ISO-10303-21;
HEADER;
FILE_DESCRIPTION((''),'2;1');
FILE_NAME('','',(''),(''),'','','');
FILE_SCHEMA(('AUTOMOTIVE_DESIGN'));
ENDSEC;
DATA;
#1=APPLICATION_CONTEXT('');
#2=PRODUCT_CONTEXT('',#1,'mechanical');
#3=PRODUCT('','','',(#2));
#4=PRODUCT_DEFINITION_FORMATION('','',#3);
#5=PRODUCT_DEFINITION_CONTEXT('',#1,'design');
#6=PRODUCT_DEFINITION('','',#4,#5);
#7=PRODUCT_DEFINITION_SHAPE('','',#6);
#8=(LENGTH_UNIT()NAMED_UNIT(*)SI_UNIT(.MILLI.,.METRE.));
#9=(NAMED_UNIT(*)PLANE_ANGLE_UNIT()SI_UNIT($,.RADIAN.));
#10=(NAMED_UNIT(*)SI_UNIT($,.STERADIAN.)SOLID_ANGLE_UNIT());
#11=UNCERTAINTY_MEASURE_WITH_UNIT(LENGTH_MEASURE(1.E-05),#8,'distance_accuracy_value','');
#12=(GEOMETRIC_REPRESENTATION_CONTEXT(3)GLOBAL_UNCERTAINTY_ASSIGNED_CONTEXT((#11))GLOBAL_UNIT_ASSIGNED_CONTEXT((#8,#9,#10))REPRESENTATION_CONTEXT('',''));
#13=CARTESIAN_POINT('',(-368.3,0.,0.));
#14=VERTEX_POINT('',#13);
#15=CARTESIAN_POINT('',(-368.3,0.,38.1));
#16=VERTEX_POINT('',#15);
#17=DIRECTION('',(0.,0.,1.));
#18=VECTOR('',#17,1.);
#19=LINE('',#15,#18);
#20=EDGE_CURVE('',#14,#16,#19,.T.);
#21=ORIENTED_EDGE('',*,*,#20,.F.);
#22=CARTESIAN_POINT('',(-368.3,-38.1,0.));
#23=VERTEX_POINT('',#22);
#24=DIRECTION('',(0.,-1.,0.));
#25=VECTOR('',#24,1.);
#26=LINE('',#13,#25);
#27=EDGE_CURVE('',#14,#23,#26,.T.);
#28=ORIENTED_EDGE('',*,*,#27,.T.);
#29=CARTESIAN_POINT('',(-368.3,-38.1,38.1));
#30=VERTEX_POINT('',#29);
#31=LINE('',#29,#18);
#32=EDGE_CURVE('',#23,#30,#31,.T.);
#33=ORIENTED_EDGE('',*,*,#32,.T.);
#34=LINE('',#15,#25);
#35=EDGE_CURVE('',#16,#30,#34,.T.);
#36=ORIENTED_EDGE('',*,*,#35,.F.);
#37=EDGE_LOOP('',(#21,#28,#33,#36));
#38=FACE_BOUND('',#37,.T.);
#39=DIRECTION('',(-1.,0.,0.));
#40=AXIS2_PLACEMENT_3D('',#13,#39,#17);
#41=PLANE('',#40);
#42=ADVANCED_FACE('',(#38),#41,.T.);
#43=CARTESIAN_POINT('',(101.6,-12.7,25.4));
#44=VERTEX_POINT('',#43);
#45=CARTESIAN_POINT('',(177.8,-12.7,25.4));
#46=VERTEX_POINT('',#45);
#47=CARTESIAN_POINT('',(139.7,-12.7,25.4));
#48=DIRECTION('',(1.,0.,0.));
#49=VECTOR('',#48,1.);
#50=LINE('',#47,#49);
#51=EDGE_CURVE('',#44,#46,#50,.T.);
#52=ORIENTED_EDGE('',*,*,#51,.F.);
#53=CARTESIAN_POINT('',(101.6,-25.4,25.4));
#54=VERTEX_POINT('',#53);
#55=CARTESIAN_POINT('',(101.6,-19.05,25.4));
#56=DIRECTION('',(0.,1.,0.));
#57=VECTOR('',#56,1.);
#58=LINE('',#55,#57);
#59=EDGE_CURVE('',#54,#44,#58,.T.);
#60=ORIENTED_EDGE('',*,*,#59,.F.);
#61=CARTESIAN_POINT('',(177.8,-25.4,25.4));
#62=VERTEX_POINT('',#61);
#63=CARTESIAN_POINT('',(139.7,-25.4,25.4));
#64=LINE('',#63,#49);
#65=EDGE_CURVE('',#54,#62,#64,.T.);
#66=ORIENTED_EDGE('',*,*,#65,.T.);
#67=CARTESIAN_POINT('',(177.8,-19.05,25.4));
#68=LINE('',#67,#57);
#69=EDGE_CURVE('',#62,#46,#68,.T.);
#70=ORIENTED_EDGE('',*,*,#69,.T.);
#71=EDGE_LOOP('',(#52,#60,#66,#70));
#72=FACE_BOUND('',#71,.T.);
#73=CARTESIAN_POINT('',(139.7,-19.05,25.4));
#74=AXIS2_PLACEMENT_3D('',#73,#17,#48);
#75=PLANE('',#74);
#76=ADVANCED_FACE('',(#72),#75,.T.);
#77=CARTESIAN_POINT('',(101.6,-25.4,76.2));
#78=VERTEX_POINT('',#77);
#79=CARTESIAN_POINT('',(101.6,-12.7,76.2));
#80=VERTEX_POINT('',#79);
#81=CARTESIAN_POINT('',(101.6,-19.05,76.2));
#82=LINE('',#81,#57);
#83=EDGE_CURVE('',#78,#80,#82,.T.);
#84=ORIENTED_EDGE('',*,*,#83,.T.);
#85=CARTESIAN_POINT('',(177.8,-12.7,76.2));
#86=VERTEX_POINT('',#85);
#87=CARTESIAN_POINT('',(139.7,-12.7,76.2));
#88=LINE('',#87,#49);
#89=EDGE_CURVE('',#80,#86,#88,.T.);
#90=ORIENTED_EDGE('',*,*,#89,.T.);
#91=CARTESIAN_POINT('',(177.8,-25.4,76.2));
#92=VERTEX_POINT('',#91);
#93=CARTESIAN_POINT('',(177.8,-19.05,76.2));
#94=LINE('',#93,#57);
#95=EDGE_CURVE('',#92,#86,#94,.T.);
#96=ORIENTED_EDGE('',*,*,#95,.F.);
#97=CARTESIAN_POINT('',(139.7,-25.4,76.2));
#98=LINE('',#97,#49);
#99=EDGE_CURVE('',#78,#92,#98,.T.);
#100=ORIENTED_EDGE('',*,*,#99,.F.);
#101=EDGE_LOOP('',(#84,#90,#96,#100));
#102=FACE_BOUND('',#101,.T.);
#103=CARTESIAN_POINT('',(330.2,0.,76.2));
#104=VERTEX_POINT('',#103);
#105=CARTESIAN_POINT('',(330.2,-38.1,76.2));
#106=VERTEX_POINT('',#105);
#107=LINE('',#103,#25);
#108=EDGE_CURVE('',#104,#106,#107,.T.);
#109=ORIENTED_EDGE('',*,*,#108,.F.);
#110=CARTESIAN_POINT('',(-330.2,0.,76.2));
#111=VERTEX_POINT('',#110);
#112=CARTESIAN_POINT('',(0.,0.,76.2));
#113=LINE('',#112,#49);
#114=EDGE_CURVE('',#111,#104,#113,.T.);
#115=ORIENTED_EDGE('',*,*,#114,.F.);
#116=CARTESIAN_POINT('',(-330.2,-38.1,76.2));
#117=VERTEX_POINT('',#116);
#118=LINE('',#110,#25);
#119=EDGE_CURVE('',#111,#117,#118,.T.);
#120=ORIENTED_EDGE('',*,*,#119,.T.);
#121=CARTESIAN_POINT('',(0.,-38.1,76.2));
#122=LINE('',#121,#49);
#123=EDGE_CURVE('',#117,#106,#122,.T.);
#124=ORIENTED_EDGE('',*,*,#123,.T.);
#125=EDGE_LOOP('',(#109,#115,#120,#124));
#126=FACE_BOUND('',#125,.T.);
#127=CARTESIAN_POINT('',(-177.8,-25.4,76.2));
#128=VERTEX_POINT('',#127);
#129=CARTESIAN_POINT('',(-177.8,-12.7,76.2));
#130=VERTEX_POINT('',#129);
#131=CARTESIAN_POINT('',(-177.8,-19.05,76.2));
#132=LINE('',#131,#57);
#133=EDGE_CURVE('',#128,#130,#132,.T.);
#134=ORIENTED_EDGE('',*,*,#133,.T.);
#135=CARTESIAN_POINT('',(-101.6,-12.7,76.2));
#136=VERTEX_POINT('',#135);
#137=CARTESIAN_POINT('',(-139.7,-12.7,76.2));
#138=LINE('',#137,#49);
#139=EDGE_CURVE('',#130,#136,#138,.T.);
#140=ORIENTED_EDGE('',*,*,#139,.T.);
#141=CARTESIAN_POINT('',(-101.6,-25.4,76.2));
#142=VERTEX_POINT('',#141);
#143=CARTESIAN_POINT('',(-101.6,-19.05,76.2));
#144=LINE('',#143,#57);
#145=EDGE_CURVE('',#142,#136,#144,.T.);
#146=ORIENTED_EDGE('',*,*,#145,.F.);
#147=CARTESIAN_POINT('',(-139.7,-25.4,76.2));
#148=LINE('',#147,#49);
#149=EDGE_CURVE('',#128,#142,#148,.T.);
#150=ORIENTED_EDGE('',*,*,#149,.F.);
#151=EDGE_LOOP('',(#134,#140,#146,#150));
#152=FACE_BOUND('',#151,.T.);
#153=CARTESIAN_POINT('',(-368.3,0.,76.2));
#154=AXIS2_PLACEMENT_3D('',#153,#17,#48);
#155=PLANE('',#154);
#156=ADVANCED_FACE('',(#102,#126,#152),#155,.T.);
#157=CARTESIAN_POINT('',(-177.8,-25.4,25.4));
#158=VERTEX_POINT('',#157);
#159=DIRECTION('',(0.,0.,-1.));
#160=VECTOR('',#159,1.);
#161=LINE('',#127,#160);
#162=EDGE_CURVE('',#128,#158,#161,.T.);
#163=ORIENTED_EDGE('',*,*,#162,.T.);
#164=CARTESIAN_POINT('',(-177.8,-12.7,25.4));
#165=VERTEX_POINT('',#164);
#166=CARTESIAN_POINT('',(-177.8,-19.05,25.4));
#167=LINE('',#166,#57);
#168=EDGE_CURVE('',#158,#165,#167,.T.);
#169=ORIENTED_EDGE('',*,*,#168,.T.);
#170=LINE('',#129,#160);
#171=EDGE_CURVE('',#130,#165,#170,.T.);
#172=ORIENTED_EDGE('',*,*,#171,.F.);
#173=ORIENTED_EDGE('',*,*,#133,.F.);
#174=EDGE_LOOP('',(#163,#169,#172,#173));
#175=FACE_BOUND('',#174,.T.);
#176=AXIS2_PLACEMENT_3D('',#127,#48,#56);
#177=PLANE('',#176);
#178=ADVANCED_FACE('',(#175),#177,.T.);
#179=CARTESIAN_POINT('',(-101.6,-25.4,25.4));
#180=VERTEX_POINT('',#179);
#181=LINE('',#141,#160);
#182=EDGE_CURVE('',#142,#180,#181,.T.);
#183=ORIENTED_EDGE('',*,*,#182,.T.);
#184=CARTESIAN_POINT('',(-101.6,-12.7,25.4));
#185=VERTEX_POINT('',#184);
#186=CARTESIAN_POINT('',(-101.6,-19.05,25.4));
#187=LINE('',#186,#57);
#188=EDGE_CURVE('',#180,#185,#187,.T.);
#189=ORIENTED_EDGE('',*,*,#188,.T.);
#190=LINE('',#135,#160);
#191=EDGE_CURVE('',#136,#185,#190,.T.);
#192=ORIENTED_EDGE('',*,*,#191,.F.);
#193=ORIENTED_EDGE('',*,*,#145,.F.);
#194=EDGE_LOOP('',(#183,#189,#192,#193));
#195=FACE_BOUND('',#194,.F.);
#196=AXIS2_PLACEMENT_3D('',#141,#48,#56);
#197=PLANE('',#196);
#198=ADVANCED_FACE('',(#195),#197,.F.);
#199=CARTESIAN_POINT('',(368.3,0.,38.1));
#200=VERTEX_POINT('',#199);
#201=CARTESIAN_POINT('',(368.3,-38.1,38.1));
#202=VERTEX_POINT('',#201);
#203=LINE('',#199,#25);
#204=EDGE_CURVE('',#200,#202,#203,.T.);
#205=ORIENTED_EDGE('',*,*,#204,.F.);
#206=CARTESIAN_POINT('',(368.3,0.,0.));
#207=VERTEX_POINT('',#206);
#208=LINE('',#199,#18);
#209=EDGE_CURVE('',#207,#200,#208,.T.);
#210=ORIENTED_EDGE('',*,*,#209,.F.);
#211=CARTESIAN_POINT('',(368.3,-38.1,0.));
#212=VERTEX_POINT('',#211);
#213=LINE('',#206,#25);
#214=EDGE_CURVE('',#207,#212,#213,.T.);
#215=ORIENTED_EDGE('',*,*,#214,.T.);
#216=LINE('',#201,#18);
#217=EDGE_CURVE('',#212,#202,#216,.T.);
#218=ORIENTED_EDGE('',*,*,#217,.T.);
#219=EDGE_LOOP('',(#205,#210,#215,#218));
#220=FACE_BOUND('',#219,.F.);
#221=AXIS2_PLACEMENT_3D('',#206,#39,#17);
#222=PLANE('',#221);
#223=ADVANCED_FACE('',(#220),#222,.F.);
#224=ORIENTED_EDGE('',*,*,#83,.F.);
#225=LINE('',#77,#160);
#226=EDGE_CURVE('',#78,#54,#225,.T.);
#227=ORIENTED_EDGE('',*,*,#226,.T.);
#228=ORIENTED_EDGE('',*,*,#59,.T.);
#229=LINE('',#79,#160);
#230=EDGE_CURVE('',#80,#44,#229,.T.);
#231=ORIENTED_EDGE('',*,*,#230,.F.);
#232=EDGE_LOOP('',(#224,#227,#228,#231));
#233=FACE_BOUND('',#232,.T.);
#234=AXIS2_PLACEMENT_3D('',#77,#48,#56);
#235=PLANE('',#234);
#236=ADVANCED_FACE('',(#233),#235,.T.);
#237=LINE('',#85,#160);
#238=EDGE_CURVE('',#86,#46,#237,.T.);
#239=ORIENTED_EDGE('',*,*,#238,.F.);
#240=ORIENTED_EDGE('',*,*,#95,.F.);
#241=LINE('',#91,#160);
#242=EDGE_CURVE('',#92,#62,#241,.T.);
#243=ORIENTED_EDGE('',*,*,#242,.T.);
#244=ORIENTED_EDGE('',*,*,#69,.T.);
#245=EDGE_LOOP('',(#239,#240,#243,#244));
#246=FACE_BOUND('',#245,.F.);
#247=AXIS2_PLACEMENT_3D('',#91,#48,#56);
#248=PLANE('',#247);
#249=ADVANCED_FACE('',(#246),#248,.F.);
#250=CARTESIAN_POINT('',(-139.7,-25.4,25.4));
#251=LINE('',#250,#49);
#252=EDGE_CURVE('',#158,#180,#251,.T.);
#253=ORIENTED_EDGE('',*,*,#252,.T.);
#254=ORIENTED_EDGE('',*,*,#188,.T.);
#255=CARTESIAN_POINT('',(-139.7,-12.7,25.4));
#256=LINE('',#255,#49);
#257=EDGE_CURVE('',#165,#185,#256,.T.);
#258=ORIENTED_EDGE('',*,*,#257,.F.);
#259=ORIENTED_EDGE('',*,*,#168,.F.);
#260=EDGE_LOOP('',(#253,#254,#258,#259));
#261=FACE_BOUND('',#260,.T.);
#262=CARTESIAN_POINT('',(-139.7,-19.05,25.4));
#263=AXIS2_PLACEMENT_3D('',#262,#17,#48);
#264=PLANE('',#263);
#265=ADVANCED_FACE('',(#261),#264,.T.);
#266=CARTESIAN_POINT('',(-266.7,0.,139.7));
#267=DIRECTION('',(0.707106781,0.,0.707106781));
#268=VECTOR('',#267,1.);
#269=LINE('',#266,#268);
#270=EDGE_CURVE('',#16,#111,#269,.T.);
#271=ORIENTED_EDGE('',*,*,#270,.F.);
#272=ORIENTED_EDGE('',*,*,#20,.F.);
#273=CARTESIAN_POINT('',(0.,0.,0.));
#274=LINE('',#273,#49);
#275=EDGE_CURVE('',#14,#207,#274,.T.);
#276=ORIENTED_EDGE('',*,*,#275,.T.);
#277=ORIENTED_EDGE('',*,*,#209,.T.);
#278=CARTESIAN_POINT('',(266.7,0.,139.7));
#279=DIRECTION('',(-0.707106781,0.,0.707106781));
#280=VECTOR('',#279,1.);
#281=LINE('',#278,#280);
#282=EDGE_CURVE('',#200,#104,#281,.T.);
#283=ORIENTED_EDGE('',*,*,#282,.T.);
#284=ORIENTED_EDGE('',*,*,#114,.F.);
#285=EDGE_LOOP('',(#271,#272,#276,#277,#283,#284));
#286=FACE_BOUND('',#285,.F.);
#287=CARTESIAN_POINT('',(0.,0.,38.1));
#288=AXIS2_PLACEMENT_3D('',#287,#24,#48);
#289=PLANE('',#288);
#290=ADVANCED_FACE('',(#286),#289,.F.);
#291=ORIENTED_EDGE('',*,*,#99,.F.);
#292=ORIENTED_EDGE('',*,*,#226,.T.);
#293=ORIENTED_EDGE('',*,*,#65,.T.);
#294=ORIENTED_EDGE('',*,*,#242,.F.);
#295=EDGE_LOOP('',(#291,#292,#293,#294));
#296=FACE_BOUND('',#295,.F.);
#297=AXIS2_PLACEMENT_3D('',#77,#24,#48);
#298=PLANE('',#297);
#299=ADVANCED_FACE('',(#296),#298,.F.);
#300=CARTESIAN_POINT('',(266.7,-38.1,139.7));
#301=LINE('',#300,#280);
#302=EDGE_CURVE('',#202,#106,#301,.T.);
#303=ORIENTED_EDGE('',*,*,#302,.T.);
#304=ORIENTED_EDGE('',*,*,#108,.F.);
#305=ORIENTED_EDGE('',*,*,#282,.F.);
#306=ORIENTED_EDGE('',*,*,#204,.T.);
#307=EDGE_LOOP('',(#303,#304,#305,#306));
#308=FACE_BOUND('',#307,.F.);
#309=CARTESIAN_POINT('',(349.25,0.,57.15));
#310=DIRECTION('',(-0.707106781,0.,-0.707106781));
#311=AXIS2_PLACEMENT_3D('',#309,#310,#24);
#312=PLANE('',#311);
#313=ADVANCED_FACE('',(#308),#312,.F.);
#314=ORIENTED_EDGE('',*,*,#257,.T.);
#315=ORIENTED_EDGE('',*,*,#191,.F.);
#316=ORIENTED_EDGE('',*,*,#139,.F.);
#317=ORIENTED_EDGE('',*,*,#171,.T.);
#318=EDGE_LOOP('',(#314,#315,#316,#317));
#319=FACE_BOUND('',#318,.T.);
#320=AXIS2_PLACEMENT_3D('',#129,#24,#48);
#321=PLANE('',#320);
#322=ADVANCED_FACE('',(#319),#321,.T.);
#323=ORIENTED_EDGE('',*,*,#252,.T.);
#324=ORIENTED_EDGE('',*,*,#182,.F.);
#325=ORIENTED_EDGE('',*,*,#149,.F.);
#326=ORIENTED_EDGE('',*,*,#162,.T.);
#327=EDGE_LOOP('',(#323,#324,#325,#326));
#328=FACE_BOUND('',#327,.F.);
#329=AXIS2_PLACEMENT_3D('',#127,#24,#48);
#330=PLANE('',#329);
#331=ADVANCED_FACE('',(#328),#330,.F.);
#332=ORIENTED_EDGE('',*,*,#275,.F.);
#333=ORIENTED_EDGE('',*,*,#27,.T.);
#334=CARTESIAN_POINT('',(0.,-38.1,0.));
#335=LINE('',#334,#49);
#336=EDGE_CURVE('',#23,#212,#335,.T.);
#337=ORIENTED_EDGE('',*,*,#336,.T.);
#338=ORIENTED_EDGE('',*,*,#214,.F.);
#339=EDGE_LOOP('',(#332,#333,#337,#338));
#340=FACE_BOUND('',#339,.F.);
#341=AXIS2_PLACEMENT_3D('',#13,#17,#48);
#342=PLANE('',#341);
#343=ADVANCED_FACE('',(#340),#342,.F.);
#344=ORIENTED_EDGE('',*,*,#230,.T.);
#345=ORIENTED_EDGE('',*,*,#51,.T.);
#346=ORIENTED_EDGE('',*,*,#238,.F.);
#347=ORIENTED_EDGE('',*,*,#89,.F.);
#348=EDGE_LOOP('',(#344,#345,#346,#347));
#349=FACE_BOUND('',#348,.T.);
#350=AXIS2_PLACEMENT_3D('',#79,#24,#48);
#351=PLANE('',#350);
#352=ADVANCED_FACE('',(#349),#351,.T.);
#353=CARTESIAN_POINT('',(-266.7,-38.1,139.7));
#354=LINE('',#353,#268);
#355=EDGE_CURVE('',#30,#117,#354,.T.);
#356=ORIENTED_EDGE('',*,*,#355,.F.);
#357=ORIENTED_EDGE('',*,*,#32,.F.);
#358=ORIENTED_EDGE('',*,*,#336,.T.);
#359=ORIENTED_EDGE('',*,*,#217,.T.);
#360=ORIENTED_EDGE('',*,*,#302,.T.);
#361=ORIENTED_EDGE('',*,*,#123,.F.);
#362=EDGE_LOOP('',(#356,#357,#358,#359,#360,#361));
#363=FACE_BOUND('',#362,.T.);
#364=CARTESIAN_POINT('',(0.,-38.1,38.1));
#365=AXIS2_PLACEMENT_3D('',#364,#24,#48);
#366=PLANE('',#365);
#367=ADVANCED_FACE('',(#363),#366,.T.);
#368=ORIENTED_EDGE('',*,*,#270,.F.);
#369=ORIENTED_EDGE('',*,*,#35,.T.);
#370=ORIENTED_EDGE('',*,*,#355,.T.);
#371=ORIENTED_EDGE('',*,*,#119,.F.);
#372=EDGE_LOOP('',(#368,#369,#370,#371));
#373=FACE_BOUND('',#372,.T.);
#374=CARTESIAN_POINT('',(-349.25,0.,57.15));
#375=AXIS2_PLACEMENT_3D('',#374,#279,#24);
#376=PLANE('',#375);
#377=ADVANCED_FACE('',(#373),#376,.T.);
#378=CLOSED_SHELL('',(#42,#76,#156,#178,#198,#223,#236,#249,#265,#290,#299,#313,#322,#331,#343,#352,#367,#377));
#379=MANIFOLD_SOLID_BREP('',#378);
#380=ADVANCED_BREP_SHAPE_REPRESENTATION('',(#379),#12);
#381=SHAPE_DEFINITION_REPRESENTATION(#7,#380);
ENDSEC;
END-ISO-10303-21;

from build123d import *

# Parameters (mm, degrees)
F0_W     = 736.6
F0_H     = 76.2
F1_DEPTH = 38.1
F2_SIZE  = 38.1
F3_W     = 76.2
F3_H     = 12.7
F4_DEPTH = 50.8


with BuildPart() as f1:
    # F0 (on Front) → F1 (new body)
    with BuildSketch(Plane.XZ):
        with Locations((0, 38.1)):
            Rectangle(F0_W, F0_H)
    extrude(amount=F1_DEPTH)

    # F2
    f2_edges = [f1.edges().sort_by_distance(p)[0] for p in [
        (-368.3, -19.05, 76.2),
        (368.3, -19.05, 76.2),
    ]]
    chamfer(f2_edges, length=F2_SIZE)

    # F3 (on face) → F4 (cut)
    with BuildSketch(Plane.XY.offset(76.2)):
        with Locations((-139.7, -19.05)):
            Rectangle(F3_W, F3_H)
        with Locations((139.7, -19.05)):
            Rectangle(F3_W, F3_H)
    extrude(amount=-F4_DEPTH, mode=Mode.SUBTRACT)


solid = f1.part
